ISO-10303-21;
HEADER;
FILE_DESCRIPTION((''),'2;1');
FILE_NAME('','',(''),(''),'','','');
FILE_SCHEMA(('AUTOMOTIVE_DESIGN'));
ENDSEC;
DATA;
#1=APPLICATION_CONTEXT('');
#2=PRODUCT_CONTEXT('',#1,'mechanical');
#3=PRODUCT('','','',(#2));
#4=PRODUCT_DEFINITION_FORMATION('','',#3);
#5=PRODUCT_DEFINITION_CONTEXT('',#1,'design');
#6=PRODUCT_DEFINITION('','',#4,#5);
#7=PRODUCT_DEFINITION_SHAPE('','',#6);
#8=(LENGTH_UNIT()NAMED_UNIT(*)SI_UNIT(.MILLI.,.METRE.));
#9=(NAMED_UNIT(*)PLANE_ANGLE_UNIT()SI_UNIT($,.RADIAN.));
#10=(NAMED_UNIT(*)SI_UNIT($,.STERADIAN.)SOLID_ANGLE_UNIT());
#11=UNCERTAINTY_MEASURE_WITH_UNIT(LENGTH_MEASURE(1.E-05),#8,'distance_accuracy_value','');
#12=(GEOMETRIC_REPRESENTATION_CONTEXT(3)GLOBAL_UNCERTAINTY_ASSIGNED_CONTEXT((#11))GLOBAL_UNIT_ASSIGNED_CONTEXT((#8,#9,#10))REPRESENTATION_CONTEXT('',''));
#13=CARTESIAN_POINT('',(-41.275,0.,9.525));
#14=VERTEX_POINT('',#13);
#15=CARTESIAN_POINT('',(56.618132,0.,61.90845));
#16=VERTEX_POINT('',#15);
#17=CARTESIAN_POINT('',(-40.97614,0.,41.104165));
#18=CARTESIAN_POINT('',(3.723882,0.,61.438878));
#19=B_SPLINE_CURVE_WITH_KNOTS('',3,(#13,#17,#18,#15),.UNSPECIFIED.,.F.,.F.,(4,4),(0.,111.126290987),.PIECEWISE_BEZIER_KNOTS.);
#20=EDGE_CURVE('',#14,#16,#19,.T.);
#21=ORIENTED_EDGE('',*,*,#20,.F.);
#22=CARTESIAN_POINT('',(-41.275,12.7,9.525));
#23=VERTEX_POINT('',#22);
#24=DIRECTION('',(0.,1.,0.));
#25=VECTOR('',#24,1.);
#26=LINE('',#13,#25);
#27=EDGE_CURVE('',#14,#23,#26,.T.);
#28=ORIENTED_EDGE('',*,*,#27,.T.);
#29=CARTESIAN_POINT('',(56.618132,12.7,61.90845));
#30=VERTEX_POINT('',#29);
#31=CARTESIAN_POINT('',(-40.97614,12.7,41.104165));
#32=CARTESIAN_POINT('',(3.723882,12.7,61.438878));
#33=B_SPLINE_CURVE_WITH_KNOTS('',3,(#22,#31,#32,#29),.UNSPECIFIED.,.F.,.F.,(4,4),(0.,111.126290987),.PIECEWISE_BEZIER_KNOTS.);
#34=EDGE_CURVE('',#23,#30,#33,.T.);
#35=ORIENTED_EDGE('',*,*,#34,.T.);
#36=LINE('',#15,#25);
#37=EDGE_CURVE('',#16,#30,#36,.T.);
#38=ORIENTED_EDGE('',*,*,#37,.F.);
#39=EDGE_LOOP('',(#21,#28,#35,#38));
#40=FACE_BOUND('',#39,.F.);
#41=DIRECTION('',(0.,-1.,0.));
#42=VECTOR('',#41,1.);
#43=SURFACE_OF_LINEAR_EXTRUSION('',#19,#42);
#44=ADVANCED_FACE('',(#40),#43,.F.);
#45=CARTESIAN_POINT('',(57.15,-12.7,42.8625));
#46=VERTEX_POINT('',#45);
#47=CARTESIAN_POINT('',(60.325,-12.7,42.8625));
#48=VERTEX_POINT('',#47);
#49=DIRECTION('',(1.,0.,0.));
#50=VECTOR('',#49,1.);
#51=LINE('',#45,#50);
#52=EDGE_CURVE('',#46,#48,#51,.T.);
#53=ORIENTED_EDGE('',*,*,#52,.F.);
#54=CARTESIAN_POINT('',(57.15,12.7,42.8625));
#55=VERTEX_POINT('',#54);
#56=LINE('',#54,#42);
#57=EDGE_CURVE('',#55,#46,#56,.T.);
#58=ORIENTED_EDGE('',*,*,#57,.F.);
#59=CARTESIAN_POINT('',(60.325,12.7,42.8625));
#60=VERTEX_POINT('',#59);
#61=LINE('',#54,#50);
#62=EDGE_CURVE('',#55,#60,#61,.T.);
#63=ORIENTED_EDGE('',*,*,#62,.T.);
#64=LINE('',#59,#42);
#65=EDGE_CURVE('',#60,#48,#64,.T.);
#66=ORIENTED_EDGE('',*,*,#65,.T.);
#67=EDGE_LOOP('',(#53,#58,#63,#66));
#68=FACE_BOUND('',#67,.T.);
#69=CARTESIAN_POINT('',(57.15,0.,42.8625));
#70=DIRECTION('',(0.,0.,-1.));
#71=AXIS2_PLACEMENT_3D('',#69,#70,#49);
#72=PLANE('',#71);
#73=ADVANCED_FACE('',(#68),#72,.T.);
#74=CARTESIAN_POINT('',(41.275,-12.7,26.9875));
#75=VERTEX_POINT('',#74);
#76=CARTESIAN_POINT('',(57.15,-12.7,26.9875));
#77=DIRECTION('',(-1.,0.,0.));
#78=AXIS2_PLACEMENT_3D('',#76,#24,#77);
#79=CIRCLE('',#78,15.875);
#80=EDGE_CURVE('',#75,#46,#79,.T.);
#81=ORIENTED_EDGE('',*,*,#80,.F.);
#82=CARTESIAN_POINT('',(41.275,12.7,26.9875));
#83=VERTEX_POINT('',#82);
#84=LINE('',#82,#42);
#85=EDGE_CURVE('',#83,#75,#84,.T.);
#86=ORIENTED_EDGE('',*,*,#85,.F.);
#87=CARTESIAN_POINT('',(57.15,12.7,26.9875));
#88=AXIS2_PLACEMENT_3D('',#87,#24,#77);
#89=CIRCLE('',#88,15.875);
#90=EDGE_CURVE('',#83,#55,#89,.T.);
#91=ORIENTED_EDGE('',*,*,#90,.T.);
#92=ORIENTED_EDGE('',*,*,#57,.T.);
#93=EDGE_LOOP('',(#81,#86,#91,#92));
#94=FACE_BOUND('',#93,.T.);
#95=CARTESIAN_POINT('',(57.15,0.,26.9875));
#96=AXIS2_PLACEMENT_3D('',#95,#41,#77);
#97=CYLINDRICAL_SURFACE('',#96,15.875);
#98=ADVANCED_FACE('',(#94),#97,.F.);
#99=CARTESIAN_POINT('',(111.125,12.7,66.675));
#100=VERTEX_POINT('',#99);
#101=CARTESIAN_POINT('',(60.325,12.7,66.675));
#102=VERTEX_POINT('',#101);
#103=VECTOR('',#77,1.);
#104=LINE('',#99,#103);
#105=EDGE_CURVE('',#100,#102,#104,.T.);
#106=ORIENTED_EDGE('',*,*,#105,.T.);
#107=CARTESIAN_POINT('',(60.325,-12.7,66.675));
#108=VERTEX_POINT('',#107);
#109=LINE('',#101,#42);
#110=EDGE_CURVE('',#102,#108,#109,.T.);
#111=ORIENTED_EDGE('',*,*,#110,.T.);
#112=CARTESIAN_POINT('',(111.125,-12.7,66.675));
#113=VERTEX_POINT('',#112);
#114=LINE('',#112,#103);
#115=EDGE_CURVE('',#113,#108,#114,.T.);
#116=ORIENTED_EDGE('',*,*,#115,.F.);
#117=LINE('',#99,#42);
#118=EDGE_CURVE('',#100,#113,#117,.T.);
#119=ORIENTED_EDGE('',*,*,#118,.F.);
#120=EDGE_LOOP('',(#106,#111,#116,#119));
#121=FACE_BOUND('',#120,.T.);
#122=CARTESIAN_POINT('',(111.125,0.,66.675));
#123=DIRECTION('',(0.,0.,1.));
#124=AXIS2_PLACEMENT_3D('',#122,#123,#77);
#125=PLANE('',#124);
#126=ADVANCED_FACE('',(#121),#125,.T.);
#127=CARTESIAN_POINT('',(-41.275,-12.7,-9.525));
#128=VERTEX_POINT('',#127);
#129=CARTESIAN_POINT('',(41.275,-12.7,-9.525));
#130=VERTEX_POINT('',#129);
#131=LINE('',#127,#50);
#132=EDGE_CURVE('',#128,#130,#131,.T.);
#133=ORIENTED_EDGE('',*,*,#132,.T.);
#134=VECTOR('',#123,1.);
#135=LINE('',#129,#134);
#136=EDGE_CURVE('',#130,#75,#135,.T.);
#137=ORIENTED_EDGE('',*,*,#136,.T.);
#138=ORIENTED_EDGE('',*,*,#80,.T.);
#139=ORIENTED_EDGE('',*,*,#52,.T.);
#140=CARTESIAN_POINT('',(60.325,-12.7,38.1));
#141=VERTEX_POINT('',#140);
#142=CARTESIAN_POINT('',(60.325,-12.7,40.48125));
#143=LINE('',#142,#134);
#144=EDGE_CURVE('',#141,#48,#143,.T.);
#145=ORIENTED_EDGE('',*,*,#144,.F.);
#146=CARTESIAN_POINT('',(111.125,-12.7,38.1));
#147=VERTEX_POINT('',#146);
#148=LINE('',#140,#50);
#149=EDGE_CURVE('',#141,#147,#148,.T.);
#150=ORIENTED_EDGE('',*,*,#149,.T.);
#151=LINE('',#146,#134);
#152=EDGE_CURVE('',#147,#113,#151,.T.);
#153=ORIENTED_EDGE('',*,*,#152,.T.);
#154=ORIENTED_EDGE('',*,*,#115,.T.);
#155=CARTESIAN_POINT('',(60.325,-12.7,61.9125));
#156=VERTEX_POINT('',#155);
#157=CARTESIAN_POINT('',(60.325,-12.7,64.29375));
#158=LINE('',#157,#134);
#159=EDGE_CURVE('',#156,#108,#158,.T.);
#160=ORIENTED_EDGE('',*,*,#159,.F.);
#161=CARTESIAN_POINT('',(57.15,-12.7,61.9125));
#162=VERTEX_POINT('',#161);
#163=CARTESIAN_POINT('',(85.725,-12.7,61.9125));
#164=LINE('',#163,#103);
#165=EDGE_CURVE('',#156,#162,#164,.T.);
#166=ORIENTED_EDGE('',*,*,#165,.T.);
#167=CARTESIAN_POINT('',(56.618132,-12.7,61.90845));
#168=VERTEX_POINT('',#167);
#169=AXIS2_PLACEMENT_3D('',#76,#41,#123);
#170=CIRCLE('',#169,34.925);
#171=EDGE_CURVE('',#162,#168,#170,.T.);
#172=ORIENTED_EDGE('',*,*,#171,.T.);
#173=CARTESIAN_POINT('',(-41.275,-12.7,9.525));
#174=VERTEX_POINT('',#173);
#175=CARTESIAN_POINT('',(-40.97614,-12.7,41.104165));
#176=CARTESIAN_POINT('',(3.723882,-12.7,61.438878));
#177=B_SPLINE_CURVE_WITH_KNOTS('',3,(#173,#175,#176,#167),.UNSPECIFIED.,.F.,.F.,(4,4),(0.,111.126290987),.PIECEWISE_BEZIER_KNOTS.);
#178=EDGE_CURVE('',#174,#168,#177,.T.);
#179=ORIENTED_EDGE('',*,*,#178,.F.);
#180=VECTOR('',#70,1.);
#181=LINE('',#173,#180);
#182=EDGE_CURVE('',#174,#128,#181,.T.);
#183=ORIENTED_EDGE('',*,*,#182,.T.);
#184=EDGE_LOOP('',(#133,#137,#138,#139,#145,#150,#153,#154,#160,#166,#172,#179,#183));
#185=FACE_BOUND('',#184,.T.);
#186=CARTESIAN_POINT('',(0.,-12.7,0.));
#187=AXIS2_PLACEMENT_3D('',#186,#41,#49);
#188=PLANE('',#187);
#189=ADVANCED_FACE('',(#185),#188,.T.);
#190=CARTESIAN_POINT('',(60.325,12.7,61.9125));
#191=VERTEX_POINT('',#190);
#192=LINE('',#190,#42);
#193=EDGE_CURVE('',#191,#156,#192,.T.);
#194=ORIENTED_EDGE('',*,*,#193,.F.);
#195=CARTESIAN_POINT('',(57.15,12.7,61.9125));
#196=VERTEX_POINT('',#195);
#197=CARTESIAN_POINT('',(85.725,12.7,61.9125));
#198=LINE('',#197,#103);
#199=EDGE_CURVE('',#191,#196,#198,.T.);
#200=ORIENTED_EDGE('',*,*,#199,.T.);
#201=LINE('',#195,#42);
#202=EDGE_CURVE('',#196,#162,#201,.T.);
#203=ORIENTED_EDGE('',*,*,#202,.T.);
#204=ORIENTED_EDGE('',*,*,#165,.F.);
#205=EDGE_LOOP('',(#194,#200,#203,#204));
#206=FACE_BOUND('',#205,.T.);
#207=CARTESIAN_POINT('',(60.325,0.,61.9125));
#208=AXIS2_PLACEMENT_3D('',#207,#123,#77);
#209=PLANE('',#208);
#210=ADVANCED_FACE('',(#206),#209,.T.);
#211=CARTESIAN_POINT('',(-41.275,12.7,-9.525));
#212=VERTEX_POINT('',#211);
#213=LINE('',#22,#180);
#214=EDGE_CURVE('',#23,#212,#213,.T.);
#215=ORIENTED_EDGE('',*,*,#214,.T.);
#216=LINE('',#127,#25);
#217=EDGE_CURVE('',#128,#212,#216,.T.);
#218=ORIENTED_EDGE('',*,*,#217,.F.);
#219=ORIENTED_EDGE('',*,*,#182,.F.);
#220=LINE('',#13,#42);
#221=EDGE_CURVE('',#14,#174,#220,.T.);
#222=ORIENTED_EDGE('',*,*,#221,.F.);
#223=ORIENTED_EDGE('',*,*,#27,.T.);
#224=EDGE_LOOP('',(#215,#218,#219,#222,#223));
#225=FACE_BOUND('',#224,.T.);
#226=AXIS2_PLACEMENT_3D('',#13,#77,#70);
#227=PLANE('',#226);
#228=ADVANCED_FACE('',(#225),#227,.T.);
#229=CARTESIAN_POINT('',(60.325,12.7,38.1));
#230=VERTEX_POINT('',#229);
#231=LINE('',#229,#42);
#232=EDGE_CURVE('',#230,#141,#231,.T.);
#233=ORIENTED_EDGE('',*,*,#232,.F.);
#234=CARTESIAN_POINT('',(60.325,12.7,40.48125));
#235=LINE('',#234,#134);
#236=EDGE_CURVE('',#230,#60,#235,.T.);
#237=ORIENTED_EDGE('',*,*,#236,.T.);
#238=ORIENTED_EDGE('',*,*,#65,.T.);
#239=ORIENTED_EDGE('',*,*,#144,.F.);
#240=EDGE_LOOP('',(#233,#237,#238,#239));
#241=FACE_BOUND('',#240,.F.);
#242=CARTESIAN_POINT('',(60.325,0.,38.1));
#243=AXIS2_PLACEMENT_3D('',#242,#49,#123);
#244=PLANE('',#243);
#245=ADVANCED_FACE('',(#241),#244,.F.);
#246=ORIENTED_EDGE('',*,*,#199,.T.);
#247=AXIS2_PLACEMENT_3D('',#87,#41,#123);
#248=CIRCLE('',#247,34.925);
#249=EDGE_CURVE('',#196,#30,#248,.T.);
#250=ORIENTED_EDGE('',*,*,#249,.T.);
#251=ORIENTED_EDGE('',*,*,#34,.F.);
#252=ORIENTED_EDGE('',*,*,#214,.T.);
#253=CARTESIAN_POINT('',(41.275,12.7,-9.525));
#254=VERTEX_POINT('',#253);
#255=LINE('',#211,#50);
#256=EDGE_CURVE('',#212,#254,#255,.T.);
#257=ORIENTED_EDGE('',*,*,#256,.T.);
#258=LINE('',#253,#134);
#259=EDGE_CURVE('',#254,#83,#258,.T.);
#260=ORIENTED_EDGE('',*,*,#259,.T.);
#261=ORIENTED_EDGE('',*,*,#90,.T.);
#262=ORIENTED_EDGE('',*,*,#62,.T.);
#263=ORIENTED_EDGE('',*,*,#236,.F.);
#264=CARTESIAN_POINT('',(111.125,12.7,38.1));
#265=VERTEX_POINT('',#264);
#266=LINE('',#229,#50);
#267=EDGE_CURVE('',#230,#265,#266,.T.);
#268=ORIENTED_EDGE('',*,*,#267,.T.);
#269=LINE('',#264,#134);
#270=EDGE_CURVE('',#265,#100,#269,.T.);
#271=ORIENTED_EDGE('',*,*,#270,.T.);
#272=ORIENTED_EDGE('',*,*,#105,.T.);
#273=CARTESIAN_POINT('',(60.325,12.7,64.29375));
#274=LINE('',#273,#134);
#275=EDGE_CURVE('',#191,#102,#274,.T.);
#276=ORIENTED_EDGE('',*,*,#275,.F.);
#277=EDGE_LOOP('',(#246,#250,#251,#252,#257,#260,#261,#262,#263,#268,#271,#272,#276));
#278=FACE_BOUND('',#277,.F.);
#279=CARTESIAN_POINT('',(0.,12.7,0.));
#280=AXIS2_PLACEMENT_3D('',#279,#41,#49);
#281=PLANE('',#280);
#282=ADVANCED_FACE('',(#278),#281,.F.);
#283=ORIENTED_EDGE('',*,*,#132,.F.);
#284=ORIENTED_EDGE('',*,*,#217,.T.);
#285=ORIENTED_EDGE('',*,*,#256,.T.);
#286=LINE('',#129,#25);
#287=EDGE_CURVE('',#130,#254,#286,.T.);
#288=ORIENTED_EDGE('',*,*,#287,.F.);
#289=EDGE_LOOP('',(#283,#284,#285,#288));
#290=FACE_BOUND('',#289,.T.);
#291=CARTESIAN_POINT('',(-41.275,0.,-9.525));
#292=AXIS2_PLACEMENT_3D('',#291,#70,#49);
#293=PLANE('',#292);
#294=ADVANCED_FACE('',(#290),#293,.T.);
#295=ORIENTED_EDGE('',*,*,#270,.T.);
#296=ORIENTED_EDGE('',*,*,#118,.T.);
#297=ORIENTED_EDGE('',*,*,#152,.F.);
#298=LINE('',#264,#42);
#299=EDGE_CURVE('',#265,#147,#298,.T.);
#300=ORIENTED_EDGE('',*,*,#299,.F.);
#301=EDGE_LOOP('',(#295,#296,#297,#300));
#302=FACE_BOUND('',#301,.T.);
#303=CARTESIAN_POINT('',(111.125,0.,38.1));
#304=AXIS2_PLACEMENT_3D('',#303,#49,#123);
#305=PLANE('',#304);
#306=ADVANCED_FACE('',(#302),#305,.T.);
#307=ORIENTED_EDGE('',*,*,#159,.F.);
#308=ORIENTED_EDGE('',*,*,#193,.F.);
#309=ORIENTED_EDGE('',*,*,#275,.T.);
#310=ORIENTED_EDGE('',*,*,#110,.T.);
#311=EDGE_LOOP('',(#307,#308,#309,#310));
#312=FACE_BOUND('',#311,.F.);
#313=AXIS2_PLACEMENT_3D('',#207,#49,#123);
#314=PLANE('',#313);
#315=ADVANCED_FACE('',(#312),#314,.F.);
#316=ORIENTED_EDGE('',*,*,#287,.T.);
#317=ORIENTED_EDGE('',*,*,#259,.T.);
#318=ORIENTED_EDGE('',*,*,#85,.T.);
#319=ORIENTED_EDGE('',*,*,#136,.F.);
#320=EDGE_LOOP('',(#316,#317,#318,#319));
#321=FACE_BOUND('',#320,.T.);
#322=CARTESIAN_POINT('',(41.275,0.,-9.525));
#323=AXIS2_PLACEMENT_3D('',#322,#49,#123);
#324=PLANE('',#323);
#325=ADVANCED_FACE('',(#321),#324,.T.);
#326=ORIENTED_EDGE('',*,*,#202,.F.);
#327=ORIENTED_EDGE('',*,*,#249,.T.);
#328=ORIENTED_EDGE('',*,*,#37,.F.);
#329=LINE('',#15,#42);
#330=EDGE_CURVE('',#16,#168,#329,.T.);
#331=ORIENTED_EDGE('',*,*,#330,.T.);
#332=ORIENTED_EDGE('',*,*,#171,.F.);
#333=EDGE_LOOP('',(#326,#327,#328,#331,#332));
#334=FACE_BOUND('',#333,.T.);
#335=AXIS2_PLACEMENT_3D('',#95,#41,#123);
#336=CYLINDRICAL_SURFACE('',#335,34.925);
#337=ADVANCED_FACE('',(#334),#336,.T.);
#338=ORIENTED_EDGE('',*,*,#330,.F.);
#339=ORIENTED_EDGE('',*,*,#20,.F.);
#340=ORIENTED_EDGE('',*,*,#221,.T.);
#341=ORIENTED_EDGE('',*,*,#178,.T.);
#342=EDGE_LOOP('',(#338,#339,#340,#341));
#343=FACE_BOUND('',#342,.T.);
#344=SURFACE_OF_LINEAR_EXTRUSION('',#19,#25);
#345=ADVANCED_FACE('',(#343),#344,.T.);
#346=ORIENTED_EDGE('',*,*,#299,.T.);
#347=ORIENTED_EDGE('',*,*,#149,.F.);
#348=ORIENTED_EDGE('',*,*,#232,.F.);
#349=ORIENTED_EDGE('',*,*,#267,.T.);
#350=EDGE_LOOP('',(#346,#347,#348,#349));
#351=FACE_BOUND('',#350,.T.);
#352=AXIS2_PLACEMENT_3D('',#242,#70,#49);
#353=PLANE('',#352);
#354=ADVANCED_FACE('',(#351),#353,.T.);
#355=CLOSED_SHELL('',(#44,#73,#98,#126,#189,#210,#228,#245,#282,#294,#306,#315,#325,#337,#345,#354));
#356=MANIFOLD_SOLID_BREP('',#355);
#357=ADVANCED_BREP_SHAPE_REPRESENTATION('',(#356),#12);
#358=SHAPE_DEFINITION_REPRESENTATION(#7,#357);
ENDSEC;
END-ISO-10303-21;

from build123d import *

# Parameters (mm, degrees)
F0_W     = 25.4
F0_H     = 4.7625
F0_H_2   = 19.05
F1_DEPTH = 12.7


with BuildPart() as f1:
    # F0 (on Front) → F1 (new body, symmetric)
    with BuildSketch(Plane.XZ):
        Polygon((41.275, -9.525), (41.275, 9.525), (22.225, 9.525), (-41.275, 9.525), (-41.275, -9.525), align=None)
        with BuildLine():
            Line((22.225, 9.525), (41.275, 9.525))
            Line((41.275, 9.525), (41.275, 26.9875))
            ThreePointArc((41.275, 26.9875), (45.9246798487, 38.2128201513), (57.15, 42.8625))
            Line((57.15, 42.8625), (60.325, 42.8625))
            Line((60.325, 42.8625), (60.325, 61.9125))
            Line((60.325, 61.9125), (57.15, 61.9125))
            add(Edge.make_bspline(
                [(56.6181319004, 61.9084498915), (56.7953297588, 61.9100229776), (56.9726195791, 61.9113731218), (57.15, 61.9125)],
                knots=[111.1262909872, 111.1262909872, 111.1262909872, 111.1262909872, 111.4985685166, 111.4985685166, 111.4985685166, 111.4985685166], degree=3))
            ThreePointArc((56.6181319004, 61.9084498915), (32.2669624204, 51.4944391359), (22.225, 26.9875))
            Line((22.225, 26.9875), (22.225, 9.525))
        make_face()
        with BuildLine():
            Line((-41.275, 9.525), (22.225, 9.525))
            Line((22.225, 9.525), (22.225, 26.9875))
            ThreePointArc((22.225, 26.9875), (32.2669624204, 51.4944391359), (56.6181319004, 61.9084498915))
            add(Edge.make_bspline(
                [(-41.275, 9.525), (-40.9761398409, 41.1041646748), (3.723881742, 61.4388775764), (56.6181319004, 61.9084498915)],
                knots=[0, 0, 0, 0, 111.1262909872, 111.1262909872, 111.1262909872, 111.1262909872], degree=3))
        make_face()
        with BuildLine():
            ThreePointArc((57.15, 61.9125), (56.8840582401, 61.9114874582), (56.6181319004, 61.9084498915))
            add(Edge.make_bspline(
                [(56.6181319004, 61.9084498915), (56.7953297588, 61.9100229776), (56.9726195791, 61.9113731218), (57.15, 61.9125)],
                knots=[111.1262909872, 111.1262909872, 111.1262909872, 111.1262909872, 111.4985685166, 111.4985685166, 111.4985685166, 111.4985685166], degree=3))
        make_face()
        with Locations((73.025, 40.48125)):
            Rectangle(F0_W, F0_H)
        with Locations((73.025, 52.3875)):
            Rectangle(F0_W, F0_H_2)
        with Locations((73.025, 64.29375)):
            Rectangle(F0_W, F0_H)
        Polygon((85.725, 61.9125), (85.725, 42.8625), (85.725, 38.1), (111.125, 38.1), (111.125, 66.675), (85.725, 66.675), align=None)
    extrude(amount=F1_DEPTH, both=True)


solid = f1.part
